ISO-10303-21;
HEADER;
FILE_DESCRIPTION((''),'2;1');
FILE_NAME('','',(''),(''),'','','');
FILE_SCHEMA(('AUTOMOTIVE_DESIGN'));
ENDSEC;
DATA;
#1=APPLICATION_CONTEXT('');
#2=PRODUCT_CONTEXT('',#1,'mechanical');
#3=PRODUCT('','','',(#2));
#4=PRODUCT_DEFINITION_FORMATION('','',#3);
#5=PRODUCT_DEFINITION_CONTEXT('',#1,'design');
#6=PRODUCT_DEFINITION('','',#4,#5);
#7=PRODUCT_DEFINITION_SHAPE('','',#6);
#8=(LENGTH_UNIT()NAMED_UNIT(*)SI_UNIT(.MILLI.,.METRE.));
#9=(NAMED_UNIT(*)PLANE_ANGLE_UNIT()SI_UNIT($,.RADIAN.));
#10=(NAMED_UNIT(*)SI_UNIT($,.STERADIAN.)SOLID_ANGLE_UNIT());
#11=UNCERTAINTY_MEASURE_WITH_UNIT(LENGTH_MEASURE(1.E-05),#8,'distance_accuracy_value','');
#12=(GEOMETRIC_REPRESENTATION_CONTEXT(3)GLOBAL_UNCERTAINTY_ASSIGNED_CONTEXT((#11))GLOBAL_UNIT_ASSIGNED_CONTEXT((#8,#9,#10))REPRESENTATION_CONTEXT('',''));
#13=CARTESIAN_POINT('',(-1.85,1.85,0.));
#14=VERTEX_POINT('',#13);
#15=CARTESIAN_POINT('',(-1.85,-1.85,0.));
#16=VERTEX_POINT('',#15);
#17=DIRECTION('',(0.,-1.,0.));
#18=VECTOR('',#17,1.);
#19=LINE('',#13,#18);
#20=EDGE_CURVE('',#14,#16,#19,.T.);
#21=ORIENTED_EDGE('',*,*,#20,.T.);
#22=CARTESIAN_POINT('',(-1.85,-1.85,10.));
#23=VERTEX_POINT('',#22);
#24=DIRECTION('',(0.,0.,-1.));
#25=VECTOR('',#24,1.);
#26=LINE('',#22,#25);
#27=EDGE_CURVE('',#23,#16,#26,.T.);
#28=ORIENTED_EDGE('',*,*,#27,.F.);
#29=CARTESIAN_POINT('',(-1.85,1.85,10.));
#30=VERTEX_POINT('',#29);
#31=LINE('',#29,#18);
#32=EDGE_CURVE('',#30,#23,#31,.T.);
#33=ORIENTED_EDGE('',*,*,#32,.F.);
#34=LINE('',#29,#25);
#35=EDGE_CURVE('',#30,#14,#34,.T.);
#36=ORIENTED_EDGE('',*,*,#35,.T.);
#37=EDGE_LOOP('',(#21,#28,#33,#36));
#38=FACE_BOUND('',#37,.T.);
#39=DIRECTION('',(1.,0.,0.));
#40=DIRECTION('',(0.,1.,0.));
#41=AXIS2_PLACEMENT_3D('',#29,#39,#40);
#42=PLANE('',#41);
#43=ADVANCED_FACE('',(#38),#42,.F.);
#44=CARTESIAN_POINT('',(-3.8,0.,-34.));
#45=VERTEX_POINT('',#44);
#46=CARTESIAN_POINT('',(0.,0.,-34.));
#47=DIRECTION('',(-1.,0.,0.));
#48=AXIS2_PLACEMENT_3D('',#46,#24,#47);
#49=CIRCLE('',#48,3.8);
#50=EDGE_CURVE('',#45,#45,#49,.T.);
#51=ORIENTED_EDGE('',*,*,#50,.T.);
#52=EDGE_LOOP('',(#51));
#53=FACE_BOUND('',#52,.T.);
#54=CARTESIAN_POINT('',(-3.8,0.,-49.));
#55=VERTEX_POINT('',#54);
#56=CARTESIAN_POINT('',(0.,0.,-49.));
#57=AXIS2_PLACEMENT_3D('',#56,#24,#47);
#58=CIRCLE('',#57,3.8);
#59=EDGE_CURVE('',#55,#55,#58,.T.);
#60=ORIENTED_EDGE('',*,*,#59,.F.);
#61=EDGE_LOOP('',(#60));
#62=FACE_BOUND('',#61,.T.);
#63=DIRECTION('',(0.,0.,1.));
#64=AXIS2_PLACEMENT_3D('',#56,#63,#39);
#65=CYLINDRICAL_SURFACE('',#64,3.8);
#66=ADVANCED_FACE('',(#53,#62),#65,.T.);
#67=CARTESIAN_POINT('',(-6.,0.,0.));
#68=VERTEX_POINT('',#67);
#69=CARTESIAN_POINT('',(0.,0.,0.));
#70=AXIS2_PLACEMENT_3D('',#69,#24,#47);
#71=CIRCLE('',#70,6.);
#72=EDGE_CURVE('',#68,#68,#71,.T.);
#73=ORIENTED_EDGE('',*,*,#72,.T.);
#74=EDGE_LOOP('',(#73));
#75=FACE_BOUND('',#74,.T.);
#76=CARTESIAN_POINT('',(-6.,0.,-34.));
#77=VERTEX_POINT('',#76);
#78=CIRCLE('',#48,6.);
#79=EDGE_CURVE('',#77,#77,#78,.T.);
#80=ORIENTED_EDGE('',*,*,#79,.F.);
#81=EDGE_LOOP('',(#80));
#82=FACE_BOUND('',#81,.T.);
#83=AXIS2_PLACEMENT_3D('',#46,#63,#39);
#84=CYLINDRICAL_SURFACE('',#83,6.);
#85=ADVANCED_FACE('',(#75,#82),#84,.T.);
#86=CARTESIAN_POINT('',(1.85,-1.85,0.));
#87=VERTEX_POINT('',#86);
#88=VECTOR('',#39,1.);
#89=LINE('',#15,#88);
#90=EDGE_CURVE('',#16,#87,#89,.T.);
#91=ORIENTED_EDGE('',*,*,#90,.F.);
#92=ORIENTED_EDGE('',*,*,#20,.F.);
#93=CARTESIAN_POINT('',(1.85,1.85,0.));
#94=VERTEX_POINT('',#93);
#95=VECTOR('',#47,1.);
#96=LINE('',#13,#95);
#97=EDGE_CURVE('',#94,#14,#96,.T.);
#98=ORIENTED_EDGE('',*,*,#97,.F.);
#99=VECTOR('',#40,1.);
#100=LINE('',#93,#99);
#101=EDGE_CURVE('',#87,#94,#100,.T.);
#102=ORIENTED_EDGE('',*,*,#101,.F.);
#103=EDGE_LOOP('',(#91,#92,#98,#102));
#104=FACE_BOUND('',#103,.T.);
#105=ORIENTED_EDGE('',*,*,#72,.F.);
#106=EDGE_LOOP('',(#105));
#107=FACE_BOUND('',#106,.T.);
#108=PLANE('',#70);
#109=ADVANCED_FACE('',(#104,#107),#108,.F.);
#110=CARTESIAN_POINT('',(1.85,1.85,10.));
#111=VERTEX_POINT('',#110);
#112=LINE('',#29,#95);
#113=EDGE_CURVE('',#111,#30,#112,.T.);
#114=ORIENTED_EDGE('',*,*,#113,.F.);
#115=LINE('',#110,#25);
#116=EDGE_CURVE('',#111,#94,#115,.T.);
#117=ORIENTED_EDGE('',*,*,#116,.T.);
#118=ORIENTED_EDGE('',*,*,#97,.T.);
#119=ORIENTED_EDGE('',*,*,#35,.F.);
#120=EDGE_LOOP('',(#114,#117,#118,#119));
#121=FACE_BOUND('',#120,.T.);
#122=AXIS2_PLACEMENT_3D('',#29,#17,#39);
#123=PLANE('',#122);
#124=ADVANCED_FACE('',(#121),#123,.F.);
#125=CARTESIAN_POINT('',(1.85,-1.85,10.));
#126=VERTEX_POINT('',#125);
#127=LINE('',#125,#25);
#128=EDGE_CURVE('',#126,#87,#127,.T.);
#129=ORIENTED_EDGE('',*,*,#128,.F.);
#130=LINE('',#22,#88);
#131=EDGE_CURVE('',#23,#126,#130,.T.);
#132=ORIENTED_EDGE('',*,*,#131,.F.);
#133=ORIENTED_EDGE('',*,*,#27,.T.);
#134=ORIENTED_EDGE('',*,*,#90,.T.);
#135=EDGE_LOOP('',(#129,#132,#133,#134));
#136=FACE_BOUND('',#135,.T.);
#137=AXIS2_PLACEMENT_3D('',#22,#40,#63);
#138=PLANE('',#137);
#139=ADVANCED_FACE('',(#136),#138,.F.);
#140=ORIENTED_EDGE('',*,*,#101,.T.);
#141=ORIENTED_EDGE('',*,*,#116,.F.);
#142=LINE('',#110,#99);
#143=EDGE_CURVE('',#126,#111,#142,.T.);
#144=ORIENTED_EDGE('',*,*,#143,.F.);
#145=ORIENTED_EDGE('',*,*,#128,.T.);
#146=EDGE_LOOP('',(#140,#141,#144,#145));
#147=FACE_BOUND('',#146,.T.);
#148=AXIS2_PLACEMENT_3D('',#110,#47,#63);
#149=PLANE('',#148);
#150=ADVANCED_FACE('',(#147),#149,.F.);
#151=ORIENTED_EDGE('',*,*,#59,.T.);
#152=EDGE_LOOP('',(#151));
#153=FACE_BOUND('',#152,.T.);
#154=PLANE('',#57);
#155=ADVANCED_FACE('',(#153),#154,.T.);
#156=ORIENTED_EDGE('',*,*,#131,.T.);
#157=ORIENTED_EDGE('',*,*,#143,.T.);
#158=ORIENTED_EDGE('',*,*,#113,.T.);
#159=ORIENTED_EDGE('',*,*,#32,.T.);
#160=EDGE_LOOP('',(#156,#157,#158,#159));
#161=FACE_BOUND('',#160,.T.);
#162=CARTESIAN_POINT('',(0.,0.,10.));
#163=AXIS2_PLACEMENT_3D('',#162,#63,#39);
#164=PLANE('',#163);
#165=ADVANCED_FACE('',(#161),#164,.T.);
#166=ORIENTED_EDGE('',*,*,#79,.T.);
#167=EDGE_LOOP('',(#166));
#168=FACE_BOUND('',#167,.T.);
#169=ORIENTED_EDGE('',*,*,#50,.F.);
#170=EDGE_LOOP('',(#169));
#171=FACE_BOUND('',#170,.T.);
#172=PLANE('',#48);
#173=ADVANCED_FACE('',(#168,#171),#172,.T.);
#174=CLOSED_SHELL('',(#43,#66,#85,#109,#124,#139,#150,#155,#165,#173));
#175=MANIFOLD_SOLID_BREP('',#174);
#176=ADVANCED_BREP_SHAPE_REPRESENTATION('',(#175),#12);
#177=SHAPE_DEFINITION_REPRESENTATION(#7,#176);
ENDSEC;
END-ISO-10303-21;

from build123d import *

# Parameters (mm, degrees)
SKETCH1_W      = 3.7
SKETCH1_H      = 3.7
EXTRUDE1_DEPTH = 10
SKETCH2_R      = 6
EXTRUDE2_DEPTH = 34
SKETCH3_R      = 3.8
EXTRUDE3_DEPTH = 15


with BuildPart() as part:
    # Sketch1 → Extrude1 (new body)
    with BuildSketch(Plane.XY):
        Rectangle(SKETCH1_W, SKETCH1_H)
    extrude(amount=EXTRUDE1_DEPTH)

    # Sketch2 → Extrude2 (add)
    with BuildSketch(Plane(origin=(0, 0, 0), x_dir=(-1, 0, 0), z_dir=(0, 0, -1))):
        Circle(SKETCH2_R)
    extrude(amount=EXTRUDE2_DEPTH)

    # Sketch3 → Extrude3 (add)
    with BuildSketch(Plane(origin=(0, 0, -34), x_dir=(-1, 0, 0), z_dir=(0, 0, -1))):
        Circle(SKETCH3_R)
    extrude(amount=EXTRUDE3_DEPTH)


solid = part.part
